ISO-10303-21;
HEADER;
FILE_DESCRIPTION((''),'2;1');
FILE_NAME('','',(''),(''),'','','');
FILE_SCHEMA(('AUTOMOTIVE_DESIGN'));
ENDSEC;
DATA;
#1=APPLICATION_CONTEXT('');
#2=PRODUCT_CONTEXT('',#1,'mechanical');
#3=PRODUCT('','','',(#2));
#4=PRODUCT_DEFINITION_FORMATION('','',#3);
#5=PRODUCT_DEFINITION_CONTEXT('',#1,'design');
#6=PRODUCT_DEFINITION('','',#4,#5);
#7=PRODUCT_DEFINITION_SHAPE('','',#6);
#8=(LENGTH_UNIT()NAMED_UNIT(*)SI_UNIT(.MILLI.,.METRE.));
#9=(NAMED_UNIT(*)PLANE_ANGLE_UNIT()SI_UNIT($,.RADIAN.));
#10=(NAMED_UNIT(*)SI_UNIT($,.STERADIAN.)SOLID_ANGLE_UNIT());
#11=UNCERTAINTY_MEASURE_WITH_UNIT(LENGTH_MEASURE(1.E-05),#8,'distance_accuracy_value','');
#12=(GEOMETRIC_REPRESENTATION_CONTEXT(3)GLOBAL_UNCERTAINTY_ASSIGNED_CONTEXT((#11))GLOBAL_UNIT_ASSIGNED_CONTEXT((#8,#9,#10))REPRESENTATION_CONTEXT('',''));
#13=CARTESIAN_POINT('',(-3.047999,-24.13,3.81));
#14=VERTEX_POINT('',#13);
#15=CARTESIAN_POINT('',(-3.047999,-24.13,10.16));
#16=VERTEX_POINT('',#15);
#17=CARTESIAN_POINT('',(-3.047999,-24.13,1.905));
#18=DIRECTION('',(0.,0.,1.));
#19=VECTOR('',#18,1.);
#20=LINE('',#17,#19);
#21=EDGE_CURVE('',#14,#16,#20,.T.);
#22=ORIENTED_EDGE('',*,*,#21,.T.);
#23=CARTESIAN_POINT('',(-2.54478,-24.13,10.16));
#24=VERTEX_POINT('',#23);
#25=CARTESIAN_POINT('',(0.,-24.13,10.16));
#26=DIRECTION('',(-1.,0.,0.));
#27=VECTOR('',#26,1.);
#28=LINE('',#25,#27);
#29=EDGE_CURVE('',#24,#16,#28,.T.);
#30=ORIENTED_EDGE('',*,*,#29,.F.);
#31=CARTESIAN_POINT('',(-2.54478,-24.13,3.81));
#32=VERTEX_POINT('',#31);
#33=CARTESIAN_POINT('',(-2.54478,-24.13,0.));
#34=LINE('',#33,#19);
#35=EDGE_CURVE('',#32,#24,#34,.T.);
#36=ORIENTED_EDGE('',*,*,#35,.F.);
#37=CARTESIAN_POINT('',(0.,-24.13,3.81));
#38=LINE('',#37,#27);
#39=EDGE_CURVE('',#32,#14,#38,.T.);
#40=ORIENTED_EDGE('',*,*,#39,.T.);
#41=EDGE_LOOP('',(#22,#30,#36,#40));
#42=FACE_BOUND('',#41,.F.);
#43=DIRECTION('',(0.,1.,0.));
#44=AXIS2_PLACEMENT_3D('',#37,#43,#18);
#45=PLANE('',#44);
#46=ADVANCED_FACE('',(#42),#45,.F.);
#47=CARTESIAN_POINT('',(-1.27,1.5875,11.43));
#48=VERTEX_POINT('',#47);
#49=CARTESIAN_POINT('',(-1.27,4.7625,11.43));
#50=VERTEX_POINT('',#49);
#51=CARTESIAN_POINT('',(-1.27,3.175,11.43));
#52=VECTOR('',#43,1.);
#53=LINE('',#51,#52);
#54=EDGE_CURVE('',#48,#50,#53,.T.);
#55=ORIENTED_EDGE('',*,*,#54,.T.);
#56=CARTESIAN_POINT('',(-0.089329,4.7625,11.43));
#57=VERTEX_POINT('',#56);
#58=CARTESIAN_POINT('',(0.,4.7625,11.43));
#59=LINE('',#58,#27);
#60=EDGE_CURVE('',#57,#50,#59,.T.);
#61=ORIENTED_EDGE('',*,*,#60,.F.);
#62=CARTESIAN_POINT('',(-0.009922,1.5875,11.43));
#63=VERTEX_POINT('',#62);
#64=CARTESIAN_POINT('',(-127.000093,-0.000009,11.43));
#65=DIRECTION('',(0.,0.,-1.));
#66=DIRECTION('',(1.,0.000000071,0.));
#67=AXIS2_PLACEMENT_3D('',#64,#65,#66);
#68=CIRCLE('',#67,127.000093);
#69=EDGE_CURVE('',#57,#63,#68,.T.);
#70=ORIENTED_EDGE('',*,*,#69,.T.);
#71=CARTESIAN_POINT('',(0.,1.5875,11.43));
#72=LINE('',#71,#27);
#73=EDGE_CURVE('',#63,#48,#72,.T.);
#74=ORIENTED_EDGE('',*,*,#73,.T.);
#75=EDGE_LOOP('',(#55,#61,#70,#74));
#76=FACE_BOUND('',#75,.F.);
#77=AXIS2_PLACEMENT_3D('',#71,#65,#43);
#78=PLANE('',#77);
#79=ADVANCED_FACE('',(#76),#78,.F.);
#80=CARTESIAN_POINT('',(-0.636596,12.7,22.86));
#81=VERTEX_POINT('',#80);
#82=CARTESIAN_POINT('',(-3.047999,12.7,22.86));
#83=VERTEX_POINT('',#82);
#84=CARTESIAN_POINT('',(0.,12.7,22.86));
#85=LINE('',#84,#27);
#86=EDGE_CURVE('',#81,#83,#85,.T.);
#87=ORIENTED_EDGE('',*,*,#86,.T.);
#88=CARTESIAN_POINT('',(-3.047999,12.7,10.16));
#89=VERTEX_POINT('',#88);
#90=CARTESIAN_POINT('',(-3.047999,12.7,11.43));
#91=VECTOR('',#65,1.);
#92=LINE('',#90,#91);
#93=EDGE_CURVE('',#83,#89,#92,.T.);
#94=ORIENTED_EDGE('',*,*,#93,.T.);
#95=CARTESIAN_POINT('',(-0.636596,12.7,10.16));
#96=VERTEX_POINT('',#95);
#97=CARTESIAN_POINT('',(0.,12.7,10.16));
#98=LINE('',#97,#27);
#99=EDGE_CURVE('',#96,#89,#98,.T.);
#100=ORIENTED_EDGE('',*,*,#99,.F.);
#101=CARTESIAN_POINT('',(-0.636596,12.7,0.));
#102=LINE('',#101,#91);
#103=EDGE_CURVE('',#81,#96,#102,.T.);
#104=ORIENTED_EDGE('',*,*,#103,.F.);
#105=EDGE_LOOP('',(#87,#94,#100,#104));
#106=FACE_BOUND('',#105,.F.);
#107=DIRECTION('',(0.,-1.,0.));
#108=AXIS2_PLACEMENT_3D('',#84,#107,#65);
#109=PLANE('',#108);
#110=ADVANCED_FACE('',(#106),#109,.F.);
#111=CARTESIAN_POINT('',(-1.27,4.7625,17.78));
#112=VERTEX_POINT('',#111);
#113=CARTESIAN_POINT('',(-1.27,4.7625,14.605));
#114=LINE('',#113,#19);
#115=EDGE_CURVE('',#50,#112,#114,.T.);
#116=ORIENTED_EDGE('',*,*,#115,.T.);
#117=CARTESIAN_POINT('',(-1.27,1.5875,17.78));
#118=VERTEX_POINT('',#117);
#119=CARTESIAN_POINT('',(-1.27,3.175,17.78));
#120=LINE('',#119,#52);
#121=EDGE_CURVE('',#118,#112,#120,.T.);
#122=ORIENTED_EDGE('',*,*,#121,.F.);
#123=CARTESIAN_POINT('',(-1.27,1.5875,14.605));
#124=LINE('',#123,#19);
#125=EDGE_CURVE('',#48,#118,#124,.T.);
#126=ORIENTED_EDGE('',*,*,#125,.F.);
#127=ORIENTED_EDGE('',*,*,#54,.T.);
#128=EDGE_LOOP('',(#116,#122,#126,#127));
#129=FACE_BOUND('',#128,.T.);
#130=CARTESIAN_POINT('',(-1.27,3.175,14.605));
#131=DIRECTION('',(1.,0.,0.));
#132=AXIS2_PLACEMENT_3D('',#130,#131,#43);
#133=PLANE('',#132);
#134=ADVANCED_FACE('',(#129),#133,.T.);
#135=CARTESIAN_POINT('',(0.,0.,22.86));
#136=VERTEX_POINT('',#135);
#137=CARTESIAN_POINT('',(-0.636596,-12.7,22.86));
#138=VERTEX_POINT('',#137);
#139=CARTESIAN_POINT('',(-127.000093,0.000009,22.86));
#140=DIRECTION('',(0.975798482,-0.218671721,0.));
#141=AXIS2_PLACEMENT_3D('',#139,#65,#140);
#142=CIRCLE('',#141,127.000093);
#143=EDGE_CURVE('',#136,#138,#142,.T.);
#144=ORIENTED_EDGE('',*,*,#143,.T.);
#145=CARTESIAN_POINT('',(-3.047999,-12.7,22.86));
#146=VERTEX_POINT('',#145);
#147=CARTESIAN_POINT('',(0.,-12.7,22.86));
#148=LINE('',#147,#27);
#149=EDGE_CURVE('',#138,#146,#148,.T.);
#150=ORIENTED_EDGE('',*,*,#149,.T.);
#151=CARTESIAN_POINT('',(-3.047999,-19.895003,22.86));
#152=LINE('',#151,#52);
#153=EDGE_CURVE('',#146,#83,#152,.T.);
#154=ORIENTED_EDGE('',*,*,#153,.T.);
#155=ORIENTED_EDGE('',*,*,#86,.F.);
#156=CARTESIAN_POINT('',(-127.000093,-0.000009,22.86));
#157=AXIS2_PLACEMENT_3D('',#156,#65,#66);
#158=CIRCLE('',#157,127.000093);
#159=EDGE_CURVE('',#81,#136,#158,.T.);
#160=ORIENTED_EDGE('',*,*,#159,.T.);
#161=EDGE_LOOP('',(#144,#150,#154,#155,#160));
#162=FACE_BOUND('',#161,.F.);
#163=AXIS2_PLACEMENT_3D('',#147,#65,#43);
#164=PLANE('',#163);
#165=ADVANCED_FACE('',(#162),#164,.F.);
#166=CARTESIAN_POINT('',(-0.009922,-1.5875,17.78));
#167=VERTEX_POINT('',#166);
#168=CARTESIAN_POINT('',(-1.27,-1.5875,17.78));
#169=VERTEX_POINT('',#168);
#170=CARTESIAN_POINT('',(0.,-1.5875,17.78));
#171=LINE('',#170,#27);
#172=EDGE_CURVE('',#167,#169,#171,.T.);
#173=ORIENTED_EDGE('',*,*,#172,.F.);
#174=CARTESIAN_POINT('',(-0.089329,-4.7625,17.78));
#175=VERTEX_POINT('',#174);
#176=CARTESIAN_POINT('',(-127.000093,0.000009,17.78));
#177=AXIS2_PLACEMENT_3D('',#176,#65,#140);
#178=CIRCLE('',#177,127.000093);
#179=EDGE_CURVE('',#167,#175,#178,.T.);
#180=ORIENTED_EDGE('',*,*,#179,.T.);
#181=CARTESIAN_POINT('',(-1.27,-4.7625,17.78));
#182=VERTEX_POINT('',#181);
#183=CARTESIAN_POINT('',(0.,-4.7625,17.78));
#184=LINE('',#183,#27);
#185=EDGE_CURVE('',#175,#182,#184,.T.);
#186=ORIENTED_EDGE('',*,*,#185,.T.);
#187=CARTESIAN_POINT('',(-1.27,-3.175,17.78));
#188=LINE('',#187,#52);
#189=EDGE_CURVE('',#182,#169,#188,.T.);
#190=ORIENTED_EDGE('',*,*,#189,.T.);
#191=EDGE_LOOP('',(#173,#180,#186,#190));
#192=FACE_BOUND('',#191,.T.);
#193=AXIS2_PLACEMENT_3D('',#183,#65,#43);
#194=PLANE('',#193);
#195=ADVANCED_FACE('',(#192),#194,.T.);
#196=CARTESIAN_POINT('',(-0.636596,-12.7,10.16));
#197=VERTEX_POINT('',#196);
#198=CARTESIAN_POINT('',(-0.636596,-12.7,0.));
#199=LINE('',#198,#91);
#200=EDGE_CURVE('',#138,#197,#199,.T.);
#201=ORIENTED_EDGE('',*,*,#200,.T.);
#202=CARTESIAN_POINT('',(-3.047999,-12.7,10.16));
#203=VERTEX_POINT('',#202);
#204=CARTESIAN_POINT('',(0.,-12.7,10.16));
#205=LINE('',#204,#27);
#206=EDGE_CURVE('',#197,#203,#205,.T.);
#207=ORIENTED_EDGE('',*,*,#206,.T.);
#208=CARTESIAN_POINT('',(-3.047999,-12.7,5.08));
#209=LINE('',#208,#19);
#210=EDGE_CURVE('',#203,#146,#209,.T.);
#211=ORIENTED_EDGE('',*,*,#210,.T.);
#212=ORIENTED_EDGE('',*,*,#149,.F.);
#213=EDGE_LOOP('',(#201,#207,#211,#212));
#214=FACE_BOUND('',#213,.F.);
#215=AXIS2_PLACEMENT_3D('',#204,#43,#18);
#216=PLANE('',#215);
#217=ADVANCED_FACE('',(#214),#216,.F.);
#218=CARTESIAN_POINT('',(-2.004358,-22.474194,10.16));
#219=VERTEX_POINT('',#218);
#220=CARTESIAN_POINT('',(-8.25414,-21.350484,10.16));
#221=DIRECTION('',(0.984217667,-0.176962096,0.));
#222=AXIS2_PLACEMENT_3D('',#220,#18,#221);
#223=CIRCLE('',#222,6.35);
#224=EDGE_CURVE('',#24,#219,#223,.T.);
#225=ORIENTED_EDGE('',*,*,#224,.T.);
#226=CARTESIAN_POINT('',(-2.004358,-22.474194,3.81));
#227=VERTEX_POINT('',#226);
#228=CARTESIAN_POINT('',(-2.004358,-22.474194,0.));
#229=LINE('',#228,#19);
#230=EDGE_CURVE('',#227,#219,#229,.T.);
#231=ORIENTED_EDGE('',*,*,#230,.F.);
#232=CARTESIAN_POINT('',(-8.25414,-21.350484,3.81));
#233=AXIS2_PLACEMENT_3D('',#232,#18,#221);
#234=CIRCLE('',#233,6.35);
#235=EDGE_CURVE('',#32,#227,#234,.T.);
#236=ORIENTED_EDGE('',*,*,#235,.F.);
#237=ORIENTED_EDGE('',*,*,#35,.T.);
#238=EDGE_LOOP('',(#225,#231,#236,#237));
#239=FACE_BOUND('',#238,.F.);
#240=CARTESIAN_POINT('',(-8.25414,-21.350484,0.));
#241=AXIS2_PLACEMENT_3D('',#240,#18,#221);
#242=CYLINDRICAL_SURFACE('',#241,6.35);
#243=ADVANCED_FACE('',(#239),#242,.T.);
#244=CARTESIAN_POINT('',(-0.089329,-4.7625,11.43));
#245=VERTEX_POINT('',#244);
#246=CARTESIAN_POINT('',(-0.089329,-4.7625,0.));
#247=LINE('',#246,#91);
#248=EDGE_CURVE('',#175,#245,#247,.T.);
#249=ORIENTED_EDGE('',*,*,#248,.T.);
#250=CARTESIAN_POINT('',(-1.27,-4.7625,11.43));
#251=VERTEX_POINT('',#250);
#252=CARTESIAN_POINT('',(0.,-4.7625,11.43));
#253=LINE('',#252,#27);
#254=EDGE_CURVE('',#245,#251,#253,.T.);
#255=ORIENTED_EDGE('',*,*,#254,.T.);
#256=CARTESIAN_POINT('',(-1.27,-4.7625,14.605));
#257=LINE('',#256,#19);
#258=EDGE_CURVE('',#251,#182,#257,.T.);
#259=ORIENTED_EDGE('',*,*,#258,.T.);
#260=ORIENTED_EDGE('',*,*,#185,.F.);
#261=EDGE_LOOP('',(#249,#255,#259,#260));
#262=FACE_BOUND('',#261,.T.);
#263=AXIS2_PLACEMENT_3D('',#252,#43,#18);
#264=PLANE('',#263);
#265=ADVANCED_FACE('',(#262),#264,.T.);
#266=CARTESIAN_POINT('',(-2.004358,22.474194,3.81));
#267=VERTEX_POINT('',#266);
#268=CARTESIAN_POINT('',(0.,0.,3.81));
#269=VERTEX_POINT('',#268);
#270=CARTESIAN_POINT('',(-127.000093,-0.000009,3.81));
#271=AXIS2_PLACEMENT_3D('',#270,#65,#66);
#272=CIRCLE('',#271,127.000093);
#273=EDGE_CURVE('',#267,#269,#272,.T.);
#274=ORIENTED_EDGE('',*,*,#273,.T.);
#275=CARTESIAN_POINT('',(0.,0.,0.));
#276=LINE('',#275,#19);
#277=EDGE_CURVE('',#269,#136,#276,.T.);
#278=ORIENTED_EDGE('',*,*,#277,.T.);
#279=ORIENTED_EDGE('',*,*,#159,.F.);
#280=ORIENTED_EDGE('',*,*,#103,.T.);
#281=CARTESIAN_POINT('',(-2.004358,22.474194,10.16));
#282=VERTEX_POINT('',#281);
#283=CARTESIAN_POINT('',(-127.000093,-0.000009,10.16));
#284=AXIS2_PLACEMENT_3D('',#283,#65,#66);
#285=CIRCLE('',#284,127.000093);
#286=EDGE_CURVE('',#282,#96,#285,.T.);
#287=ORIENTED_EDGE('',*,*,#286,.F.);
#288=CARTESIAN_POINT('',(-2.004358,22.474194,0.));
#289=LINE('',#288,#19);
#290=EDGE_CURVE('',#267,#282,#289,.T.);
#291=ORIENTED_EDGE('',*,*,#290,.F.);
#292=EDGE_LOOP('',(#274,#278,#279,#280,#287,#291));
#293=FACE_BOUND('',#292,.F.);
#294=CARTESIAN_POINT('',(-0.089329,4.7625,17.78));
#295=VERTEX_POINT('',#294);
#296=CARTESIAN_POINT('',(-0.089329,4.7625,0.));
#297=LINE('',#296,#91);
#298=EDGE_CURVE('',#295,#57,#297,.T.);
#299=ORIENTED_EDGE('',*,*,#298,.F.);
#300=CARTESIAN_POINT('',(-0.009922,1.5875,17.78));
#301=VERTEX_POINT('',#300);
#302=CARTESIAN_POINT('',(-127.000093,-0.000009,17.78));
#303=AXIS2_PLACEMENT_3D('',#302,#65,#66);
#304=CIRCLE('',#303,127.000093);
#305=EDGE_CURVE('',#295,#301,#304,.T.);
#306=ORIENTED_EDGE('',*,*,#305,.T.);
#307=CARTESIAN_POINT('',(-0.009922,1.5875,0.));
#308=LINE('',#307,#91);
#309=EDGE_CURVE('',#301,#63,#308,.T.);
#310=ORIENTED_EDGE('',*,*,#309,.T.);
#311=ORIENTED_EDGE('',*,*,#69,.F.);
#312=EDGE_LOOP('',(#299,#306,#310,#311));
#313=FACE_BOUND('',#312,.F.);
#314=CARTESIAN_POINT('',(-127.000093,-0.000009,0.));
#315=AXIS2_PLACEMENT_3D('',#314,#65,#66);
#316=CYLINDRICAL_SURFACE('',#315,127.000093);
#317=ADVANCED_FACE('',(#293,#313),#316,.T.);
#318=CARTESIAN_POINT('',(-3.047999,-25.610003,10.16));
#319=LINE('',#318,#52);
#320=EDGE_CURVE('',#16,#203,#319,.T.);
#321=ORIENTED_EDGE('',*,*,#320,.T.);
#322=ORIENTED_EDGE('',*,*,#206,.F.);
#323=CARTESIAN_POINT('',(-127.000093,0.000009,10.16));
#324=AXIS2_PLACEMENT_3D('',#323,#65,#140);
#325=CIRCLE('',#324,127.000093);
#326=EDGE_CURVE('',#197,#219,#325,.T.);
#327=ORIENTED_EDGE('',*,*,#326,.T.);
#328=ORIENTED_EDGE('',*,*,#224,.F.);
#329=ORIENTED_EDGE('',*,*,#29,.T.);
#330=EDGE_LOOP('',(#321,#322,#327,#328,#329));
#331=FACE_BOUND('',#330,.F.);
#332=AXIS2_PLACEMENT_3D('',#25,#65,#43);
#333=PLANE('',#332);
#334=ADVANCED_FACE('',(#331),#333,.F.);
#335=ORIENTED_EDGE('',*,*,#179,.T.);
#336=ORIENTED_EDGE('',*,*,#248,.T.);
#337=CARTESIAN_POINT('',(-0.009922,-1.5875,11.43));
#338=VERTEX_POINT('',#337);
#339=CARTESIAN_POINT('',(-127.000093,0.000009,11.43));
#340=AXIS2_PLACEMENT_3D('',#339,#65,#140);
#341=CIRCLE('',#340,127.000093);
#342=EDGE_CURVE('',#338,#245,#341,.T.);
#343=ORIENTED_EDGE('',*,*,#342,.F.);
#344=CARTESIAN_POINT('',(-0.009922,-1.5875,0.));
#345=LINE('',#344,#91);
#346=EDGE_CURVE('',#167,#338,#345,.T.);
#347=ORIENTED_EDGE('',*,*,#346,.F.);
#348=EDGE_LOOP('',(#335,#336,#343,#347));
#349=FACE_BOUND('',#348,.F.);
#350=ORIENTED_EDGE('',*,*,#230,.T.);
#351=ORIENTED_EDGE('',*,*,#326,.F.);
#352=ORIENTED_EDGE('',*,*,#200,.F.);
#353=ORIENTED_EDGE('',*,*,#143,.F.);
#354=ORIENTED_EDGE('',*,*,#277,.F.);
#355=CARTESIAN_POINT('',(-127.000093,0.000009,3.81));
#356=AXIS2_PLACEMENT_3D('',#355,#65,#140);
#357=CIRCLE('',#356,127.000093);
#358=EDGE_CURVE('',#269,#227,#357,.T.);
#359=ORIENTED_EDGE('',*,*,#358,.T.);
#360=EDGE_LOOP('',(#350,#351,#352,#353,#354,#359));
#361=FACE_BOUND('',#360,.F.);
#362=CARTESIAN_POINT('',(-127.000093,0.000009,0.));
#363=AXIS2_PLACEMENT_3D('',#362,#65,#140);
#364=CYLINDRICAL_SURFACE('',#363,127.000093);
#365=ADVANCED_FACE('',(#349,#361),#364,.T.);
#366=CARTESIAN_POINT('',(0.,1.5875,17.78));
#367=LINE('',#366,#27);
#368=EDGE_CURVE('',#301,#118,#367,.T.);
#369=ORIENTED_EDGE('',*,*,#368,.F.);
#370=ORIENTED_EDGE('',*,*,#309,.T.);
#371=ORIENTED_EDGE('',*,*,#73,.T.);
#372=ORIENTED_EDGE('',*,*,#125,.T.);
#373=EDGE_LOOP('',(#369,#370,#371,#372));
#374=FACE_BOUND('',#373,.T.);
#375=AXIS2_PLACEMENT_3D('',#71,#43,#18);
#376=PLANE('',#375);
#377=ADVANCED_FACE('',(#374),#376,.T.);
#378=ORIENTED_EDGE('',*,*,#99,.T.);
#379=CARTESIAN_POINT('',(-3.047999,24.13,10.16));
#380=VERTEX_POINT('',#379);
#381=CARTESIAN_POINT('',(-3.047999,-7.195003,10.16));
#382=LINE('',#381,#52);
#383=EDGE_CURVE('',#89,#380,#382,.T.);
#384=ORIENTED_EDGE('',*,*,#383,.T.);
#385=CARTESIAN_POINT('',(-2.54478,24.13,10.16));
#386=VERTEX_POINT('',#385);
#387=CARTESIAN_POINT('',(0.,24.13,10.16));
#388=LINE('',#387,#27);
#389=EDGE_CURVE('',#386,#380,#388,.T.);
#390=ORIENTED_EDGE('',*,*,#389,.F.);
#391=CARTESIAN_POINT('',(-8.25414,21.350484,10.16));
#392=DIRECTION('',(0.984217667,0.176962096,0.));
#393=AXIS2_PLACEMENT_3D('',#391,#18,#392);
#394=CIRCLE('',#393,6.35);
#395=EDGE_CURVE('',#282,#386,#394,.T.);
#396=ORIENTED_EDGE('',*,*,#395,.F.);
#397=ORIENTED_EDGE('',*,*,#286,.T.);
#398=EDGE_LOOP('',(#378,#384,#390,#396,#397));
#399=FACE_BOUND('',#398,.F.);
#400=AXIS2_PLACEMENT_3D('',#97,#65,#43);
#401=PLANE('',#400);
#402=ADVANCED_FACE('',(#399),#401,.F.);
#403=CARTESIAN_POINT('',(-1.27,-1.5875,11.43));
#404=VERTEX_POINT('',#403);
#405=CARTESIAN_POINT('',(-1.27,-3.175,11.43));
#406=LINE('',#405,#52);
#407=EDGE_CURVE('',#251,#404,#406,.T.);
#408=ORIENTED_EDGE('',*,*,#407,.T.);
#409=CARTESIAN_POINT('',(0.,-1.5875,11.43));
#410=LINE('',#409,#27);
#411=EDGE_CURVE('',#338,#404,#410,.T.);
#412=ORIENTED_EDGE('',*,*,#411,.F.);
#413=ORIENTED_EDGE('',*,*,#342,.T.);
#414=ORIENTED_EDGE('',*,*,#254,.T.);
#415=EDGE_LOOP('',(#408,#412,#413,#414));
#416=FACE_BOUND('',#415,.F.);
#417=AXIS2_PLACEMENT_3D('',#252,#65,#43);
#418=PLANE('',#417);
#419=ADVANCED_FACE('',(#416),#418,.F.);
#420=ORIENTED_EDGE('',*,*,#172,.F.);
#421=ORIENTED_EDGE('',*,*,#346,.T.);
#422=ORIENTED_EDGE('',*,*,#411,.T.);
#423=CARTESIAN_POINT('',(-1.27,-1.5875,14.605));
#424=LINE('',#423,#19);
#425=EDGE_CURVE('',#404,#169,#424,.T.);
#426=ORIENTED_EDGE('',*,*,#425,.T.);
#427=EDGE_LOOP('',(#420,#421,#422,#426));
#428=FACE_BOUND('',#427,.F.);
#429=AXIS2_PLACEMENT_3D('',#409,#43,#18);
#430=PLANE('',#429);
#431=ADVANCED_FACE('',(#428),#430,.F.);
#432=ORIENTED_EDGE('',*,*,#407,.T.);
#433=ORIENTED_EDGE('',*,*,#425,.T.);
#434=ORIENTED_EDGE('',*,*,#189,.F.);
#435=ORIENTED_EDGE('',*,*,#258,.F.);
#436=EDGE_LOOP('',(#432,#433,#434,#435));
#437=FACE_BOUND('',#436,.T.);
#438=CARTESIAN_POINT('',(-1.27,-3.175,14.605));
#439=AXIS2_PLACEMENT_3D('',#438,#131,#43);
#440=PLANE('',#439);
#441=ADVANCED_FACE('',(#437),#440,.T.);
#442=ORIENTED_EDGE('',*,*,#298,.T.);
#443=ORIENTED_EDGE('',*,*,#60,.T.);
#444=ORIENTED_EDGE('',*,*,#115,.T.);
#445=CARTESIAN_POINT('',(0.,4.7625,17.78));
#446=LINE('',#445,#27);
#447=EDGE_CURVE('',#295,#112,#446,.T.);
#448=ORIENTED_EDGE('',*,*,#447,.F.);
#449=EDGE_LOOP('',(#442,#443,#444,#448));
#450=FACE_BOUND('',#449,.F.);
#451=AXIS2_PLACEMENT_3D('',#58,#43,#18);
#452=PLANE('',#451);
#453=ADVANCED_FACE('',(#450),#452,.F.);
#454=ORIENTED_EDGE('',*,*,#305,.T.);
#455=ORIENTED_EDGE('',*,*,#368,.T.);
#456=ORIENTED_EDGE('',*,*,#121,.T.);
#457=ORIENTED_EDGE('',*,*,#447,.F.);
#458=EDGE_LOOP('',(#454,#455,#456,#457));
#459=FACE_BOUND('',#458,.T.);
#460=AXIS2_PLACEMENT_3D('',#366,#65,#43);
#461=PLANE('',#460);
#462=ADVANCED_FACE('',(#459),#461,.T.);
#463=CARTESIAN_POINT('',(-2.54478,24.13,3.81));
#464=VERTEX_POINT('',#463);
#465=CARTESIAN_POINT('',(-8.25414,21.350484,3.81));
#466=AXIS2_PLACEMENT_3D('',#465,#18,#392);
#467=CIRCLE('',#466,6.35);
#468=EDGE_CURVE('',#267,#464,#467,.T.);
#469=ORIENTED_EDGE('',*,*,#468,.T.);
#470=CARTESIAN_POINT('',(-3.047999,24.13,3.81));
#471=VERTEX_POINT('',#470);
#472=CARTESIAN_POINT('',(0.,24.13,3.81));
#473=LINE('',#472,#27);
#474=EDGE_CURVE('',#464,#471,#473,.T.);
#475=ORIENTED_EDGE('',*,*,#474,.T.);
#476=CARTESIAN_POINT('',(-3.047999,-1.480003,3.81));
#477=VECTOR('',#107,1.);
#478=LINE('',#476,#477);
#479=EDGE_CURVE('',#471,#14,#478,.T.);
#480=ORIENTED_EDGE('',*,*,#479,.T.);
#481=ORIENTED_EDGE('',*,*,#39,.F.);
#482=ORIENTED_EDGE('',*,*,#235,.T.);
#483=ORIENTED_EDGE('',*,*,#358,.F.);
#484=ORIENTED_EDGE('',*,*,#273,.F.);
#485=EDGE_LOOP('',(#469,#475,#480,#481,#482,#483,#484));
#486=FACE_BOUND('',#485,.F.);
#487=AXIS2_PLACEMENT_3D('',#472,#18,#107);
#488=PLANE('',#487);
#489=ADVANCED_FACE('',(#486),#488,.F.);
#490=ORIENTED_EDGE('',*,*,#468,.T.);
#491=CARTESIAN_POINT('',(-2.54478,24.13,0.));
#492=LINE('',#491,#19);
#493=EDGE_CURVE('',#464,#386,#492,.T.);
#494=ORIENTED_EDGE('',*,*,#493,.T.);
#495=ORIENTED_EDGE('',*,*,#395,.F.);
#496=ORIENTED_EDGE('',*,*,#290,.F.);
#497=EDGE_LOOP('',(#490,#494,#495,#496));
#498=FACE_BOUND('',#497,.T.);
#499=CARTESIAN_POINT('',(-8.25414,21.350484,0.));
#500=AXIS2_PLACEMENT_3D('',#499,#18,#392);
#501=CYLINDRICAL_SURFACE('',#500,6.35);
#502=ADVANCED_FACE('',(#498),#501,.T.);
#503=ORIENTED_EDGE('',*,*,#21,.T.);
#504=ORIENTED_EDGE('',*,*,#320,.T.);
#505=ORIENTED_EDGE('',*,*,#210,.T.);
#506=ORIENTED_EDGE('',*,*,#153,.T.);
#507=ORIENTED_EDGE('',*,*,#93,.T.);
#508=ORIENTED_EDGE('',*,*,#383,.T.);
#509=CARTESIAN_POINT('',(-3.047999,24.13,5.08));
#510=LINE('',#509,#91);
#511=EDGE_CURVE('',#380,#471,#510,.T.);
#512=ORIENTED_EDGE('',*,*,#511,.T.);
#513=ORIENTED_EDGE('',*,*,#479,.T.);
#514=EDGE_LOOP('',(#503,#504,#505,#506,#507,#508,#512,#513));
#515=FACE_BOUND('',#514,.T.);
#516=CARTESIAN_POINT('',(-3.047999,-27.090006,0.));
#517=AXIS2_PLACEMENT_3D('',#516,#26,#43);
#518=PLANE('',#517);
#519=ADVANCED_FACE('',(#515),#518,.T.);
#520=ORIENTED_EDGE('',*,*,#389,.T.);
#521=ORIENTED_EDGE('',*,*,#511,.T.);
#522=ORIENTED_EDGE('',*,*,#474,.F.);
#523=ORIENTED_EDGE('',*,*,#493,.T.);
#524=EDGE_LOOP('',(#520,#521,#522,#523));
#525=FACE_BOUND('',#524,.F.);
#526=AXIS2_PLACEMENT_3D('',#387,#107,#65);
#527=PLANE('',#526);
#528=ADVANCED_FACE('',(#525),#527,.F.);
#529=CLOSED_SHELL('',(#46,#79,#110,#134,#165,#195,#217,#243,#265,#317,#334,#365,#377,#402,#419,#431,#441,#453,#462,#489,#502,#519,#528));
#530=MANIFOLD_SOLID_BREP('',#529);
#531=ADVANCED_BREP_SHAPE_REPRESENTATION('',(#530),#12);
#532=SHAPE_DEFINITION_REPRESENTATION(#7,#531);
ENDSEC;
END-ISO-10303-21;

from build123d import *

# Parameters (mm, degrees)
F1_DEPTH = 25.4
F2_R     = 6.35
F3_W     = 65.815818
F3_H     = 34.738873
F4_DEPTH = 15.774595
F5_W     = 13.649403
F5_H     = 52.52206
F6_DEPTH = 22.861
F7_W     = 3.175
F7_H     = 6.35
F8_DEPTH = 1.27


with BuildPart() as f1:
    # F0 (on Top) → F1 (new body)
    with BuildSketch(Plane.XY):
        with BuildLine():
            Line((-3.073595, 27.77132), (-3.073595, -27.77132))
            ThreePointArc((-3.073595, -27.77132), (-0.770738, -13.970444), (0, 0))
            ThreePointArc((0, 0), (-0.770738, 13.970444), (-3.073595, 27.77132))
        make_face()
        Polygon((-15.773595, -27.599099), (-3.073595, -27.77132), (-3.073595, 27.77132), (-15.773595, 27.599099), align=None)
    extrude(amount=F1_DEPTH)

    # F2
    f2_edges = [f1.edges().sort_by_distance(p)[0] for p in [
        (-3.073595, 27.77132, 12.7),
        (-3.073595, -27.77132, 12.7),
    ]]
    fillet(f2_edges, radius=F2_R)

    # F3 (on Right) → F4 (cut, through all)
    with BuildSketch(Plane.YZ):
        with Locations((2.774937, 10.382003)):
            Rectangle(F3_W, F3_H)
        Polygon((-12.7, 10.16), (-12.7, 22.86), (12.7, 22.86), (12.7, 10.16), (24.13, 10.16), (24.13, 3.81), (-24.13, 3.81), (-24.13, 10.16), align=None, mode=Mode.SUBTRACT)
    extrude(amount=-F4_DEPTH, mode=Mode.SUBTRACT)

    # F5 (on Top) → F6 (cut, through all)
    with BuildSketch(Plane.XY):
        with Locations((-9.872701, -0.828976)):
            Rectangle(F5_W, F5_H)
    extrude(amount=F6_DEPTH, mode=Mode.SUBTRACT)

    # F7 (on Right) → F8 (cut)
    with BuildSketch(Plane.YZ):
        with Locations((-3.175, 14.605)):
            Rectangle(F7_W, F7_H)
        with Locations((3.175, 14.605)):
            Rectangle(F7_W, F7_H)
    extrude(amount=-F8_DEPTH, mode=Mode.SUBTRACT)


solid = f1.part
